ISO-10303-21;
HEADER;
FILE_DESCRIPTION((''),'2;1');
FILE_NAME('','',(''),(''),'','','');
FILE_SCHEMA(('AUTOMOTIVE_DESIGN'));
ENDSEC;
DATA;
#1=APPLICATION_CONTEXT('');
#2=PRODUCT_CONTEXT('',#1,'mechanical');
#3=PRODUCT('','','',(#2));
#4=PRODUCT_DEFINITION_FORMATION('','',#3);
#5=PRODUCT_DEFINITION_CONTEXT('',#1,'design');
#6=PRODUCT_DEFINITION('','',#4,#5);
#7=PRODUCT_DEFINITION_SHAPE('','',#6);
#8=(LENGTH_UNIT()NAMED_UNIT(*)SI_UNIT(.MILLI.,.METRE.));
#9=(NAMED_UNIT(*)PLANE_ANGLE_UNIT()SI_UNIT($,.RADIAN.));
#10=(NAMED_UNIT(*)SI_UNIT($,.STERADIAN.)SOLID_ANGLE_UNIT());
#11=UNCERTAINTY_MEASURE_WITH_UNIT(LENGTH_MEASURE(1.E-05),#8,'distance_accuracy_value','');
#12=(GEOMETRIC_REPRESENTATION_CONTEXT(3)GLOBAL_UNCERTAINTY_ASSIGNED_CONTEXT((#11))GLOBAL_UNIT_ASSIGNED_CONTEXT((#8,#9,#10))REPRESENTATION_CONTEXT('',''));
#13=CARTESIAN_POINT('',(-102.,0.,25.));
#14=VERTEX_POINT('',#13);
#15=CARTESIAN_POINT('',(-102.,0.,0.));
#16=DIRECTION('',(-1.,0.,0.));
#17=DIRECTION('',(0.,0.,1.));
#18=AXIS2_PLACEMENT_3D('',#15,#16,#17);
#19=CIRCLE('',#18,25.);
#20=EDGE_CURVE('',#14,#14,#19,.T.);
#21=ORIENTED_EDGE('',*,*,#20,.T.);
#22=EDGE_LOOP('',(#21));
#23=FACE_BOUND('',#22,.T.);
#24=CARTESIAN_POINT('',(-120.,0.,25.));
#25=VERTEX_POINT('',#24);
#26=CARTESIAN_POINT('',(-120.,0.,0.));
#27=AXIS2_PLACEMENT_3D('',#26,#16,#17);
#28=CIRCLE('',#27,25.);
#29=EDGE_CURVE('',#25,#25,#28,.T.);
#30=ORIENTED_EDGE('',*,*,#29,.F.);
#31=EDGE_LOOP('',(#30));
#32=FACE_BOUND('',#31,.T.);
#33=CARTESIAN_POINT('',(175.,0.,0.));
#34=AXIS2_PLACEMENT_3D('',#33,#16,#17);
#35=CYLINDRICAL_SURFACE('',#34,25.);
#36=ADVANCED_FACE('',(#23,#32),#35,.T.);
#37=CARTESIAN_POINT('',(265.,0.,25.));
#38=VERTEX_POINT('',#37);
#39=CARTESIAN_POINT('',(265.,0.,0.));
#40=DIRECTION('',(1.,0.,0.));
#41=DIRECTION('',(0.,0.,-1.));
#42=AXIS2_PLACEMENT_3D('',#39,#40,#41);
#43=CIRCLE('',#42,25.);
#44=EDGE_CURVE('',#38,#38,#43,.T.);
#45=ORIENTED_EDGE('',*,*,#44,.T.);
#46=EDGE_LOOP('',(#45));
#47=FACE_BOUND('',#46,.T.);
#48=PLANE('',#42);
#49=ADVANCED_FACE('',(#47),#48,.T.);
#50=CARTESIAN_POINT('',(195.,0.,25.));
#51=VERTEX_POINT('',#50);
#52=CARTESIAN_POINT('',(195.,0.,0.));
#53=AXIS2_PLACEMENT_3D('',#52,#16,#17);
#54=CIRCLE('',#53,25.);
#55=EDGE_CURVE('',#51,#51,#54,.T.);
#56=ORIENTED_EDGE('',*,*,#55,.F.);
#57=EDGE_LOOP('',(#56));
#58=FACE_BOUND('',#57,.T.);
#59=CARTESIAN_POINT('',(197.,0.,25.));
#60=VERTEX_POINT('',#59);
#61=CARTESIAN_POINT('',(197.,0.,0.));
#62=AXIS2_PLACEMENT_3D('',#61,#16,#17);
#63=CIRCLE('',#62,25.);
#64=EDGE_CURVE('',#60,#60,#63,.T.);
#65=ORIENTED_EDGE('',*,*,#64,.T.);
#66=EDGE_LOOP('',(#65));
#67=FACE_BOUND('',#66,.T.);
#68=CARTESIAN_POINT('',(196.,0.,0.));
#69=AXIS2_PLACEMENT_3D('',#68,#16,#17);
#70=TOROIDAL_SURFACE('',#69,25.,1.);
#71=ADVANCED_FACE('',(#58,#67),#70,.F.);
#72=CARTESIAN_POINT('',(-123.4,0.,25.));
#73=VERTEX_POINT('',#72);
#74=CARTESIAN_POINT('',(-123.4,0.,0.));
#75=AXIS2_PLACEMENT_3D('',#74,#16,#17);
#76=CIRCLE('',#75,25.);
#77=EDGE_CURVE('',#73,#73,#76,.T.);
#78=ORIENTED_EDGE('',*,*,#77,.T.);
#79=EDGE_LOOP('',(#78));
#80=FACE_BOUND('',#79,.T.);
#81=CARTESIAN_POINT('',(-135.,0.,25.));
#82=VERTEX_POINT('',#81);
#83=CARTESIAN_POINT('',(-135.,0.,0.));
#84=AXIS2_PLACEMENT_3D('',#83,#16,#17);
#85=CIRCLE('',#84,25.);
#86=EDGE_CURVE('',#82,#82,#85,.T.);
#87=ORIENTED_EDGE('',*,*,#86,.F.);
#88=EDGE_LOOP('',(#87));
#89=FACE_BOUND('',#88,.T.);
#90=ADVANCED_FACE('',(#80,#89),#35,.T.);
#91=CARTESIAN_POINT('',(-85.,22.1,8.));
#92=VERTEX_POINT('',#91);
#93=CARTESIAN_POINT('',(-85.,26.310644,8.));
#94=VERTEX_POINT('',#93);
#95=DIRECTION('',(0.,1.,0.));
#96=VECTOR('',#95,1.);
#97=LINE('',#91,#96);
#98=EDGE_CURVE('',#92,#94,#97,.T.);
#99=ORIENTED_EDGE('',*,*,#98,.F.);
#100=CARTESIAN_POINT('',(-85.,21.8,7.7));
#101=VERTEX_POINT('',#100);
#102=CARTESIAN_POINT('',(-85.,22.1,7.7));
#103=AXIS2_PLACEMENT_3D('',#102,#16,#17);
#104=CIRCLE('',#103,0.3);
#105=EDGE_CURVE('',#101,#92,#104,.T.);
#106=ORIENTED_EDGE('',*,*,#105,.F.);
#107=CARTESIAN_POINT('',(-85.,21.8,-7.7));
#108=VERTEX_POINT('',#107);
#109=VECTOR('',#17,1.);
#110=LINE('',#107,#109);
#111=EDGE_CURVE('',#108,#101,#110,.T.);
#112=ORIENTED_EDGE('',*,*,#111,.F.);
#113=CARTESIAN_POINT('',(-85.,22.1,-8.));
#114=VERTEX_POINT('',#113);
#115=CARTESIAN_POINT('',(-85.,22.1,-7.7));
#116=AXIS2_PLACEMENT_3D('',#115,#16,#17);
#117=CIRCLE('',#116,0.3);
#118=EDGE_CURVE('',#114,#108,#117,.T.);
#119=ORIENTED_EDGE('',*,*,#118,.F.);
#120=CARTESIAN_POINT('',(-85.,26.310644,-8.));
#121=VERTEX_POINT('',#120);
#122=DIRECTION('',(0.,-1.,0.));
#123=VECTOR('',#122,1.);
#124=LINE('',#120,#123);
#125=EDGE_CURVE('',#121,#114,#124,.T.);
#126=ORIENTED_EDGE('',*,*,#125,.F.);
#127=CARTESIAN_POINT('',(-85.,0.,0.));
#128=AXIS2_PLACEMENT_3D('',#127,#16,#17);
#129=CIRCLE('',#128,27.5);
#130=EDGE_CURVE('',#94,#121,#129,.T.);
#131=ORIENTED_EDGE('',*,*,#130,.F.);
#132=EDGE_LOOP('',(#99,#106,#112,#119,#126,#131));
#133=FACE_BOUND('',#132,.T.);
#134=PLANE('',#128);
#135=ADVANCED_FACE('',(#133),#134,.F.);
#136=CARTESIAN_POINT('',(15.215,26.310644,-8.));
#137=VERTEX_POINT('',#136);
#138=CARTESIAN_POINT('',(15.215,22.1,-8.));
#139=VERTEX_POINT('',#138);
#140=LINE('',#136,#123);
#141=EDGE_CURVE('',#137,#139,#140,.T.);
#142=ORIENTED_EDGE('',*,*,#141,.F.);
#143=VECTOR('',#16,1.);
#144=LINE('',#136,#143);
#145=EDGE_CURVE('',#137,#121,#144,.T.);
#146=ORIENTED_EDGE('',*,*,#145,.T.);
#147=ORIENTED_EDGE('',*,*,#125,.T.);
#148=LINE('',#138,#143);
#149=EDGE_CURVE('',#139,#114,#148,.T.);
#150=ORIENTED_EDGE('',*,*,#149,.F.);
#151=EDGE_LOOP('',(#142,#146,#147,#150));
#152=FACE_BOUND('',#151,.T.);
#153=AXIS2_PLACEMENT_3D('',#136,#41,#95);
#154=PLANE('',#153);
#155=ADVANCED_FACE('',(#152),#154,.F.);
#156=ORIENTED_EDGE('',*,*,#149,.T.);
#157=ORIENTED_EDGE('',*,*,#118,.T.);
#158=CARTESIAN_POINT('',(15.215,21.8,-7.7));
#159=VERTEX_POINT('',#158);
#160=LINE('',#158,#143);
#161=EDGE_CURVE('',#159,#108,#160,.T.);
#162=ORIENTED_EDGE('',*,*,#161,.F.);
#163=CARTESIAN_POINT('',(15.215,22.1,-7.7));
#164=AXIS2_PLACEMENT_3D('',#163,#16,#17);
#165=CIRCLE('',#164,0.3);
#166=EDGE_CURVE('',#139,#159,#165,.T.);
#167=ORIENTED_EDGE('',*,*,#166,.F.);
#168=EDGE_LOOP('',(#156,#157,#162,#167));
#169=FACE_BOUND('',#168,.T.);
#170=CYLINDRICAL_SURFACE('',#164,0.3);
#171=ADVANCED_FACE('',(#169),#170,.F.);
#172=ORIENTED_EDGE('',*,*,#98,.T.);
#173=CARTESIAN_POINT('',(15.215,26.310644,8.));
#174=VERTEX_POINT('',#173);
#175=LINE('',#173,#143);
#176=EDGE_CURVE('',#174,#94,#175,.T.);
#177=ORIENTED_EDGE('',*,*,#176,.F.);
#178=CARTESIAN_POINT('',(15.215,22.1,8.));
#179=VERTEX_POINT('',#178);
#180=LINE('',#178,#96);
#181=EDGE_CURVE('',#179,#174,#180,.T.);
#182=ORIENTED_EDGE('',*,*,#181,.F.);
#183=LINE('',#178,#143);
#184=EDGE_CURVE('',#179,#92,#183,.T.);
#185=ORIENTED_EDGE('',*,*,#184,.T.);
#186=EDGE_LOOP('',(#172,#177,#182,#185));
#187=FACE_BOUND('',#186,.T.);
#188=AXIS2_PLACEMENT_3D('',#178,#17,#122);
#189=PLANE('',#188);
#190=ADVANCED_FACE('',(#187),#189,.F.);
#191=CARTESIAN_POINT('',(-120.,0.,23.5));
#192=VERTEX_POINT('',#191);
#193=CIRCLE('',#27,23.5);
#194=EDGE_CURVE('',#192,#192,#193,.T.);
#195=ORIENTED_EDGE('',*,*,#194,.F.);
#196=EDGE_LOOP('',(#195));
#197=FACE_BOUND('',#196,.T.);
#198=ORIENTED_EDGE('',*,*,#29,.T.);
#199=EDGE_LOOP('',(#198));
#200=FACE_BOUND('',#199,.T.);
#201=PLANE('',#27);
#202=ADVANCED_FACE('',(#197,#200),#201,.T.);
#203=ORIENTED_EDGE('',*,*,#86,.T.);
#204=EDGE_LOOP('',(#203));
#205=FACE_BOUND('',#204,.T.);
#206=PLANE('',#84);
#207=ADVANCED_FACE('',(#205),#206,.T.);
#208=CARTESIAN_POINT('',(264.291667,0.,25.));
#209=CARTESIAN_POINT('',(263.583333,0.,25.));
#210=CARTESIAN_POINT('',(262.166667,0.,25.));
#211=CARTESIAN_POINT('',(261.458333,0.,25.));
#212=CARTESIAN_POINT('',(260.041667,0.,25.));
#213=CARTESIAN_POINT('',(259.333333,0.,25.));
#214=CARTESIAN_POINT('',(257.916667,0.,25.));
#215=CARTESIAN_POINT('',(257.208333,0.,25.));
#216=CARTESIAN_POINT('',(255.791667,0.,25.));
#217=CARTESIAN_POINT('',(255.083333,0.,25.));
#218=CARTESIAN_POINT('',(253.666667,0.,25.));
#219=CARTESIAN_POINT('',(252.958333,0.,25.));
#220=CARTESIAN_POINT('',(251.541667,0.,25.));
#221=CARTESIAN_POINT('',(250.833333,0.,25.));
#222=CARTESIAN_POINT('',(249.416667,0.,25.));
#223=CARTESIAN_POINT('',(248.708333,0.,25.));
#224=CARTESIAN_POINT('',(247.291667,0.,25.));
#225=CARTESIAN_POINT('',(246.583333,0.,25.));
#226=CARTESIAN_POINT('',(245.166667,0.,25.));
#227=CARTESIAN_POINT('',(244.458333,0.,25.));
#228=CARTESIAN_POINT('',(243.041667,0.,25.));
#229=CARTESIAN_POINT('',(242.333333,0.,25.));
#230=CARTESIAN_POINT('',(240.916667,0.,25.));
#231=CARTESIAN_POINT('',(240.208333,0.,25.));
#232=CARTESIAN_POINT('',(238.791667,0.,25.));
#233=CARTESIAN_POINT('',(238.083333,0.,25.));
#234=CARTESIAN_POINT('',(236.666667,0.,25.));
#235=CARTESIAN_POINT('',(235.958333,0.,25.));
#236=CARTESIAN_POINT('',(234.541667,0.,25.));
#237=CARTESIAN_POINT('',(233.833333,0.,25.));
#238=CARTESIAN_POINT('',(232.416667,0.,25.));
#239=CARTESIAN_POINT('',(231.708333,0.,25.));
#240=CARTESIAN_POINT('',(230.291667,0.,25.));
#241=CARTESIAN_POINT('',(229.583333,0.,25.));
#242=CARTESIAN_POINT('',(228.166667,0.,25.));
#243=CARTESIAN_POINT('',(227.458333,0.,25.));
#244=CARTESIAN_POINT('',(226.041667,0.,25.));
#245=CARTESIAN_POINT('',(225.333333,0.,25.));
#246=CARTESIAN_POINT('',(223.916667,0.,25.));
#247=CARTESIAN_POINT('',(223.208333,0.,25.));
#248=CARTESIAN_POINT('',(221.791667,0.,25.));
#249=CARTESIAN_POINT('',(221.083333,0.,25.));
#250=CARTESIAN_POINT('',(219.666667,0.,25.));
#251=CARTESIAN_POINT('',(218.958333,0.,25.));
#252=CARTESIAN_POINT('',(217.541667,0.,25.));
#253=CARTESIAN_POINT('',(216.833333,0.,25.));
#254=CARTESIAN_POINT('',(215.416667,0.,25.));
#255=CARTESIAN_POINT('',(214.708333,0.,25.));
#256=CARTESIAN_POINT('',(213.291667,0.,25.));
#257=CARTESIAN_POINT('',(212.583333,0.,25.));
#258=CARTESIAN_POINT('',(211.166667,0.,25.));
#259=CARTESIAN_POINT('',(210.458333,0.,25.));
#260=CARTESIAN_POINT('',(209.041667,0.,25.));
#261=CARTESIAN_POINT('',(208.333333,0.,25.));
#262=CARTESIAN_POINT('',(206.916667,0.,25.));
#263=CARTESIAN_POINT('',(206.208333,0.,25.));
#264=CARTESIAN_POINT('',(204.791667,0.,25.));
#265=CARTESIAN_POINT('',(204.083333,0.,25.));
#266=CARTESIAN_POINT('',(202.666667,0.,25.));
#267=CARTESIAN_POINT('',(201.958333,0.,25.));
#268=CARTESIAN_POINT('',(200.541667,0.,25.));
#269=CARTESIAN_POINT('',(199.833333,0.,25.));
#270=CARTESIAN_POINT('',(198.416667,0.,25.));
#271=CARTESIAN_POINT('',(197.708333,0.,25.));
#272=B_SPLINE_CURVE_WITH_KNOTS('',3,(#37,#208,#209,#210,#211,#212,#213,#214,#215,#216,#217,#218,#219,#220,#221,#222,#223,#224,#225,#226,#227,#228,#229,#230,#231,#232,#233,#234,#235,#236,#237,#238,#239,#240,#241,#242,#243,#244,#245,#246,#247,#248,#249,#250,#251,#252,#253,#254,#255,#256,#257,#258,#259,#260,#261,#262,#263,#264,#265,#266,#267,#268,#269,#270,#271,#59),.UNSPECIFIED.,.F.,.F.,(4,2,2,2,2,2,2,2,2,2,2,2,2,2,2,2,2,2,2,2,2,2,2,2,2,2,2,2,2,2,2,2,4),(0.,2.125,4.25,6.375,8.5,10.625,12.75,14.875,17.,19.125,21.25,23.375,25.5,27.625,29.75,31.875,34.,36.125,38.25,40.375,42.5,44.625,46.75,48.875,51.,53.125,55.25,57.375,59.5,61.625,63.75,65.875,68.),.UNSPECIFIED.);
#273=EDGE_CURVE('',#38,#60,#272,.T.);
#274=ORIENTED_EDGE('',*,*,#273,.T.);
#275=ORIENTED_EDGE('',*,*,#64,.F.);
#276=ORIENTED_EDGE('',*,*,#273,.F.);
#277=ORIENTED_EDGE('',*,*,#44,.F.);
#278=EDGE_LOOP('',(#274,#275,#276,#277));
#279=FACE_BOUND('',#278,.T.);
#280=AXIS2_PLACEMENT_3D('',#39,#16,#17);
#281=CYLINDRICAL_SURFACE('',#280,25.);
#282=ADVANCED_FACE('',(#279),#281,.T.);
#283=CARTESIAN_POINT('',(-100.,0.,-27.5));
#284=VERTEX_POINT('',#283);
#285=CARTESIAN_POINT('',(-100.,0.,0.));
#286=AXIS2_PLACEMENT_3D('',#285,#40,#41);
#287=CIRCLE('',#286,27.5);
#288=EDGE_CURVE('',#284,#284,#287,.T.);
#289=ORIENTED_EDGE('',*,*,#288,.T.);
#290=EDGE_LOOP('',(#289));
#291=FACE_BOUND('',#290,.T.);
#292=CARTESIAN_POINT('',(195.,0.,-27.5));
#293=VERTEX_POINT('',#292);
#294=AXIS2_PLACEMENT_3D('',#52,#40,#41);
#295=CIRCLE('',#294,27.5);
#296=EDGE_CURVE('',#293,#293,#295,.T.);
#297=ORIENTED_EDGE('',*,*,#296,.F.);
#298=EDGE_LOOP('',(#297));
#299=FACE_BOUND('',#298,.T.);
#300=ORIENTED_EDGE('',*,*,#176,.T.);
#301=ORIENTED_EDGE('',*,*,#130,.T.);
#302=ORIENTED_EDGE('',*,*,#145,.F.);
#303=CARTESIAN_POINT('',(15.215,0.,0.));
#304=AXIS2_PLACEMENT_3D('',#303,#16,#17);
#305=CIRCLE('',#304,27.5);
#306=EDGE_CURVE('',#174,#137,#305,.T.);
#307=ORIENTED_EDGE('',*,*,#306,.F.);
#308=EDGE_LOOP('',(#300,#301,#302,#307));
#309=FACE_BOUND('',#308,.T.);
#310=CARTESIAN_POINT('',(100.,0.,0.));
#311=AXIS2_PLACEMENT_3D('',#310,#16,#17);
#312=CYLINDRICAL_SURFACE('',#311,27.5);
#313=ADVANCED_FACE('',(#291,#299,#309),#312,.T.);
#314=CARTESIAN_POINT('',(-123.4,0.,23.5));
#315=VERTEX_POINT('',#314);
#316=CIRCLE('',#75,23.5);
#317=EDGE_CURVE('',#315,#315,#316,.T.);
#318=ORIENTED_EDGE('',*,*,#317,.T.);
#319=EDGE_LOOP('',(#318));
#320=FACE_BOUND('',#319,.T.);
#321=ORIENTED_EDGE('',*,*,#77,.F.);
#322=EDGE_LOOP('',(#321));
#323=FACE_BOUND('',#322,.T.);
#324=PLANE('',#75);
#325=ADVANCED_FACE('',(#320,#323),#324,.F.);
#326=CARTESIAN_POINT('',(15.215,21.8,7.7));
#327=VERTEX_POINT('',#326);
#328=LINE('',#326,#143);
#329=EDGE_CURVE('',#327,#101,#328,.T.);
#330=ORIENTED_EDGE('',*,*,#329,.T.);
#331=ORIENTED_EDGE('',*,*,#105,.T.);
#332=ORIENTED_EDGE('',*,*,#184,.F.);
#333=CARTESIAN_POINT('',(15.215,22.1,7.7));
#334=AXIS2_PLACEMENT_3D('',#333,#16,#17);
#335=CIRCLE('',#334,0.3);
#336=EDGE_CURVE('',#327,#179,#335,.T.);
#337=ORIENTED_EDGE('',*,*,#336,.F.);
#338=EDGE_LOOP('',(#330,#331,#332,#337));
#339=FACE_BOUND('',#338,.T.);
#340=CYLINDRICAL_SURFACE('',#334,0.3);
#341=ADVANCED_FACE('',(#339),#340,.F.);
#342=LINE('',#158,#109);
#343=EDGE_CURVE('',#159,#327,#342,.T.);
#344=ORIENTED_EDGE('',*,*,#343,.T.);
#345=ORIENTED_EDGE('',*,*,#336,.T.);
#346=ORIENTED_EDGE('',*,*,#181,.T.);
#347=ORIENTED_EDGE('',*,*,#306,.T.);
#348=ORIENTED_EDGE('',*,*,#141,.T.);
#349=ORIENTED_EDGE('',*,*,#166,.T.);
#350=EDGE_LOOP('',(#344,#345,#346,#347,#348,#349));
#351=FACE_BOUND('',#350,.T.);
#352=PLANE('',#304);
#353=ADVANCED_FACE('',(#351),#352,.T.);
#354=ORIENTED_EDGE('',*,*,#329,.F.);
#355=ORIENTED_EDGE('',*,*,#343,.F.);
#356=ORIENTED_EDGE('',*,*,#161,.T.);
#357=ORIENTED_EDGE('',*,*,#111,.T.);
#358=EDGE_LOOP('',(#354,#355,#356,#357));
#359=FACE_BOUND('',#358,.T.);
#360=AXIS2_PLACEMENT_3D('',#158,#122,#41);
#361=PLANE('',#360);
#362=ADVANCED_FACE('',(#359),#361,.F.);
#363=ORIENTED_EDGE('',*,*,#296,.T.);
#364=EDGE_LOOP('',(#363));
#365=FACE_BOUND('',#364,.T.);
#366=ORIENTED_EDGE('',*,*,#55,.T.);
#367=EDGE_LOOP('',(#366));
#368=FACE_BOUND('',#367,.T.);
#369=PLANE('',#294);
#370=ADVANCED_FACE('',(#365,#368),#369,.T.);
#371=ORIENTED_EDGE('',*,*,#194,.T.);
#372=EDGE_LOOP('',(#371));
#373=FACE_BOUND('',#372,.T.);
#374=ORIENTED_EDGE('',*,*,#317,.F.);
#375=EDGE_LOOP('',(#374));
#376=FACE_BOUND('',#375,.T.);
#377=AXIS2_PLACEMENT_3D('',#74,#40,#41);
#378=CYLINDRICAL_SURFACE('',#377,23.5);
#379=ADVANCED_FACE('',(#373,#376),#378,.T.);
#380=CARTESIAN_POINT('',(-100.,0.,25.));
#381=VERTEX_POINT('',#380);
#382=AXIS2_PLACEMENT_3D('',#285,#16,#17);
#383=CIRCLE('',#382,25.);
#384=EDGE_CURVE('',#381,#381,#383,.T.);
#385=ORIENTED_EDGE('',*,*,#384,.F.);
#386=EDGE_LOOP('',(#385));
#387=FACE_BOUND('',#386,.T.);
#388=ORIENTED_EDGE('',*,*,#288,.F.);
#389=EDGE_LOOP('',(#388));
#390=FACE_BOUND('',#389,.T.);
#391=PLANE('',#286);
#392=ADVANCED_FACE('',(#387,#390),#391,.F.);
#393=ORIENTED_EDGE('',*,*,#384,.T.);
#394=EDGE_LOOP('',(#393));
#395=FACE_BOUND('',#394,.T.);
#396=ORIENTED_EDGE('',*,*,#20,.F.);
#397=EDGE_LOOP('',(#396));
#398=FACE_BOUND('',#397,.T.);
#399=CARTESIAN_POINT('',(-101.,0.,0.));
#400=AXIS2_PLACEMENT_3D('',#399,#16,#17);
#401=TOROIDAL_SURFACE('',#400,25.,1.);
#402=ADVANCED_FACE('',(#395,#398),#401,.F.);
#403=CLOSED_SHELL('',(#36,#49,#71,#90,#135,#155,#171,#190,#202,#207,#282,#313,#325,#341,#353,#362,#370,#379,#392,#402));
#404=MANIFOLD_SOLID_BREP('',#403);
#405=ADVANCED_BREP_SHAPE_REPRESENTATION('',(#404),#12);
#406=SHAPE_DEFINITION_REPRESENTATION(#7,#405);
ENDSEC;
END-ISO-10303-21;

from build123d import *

# Parameters (mm, degrees)
SKETCH1_R           = 27.5
BOSS_EXTRUDE1_DEPTH = 100
SKETCH1_4_R         = 25
BOSS_EXTRUDE2_DEPTH = 175
BOSS_EXTRUDE4_START = 95
SKETCH6_R           = 27.5
SKETCH6_R_2         = 25
BOSS_EXTRUDE4_DEPTH = 95
BOSS_EXTRUDE5_START = 90
SKETCH8_R           = 25
BOSS_EXTRUDE5_DEPTH = 90
CUT_EXTRUDE1_START  = -115.215
CUT_EXTRUDE1_DEPTH  = 100.215
CUT_EXTRUDE3_START  = -40
SKETCH10_R          = 25
CUT_EXTRUDE3_DEPTH  = 40
CUT_EXTRUDE4_START  = 20
SKETCH11_R          = 25
SKETCH11_R_2        = 23.5
CUT_EXTRUDE4_DEPTH  = 3.4


with BuildPart() as part:
    # Sketch1 → Boss-Extrude1 (new, symmetric)
    with BuildSketch(Plane(origin=(0, 0, 0), x_dir=(0, 0, -1), z_dir=(1, 0, 0))):
        Circle(SKETCH1_R)
    extrude(amount=BOSS_EXTRUDE1_DEPTH, both=True)

    # Sketch1<4> → Boss-Extrude2 (add, symmetric)
    with BuildSketch(Plane(origin=(0, 0, 0), x_dir=(0, 0, -1), z_dir=(1, 0, 0))):
        Circle(SKETCH1_4_R)
    extrude(amount=BOSS_EXTRUDE2_DEPTH, both=True)

    # Sketch6 → Boss-Extrude4 (add)
    with BuildSketch(Plane(origin=(100, 0, 0), x_dir=(0, 0, -1), z_dir=(1, 0, 0)).offset(BOSS_EXTRUDE4_START)):
        Circle(SKETCH6_R)
        Circle(SKETCH6_R_2, mode=Mode.SUBTRACT)
    extrude(amount=-BOSS_EXTRUDE4_DEPTH)

    # Sketch8 → Boss-Extrude5 (add)
    with BuildSketch(Plane(origin=(175, 0, 0), x_dir=(0, 0, -1), z_dir=(1, 0, 0)).offset(BOSS_EXTRUDE5_START)):
        Circle(SKETCH8_R)
    extrude(amount=-BOSS_EXTRUDE5_DEPTH)

    # Sketch3 → Cut-Revolve1 (revolve, cut)
    with BuildSketch(Plane.XY):
        with BuildLine():
            Line((195, 25), (197, 25))
            ThreePointArc((197, 25), (196, 24), (195, 25))
        make_face()
        with BuildLine():
            Line((-100, 25), (-102, 25))
            ThreePointArc((-102, 25), (-101, 24), (-100, 25))
        make_face()
    revolve(axis=Axis((-100, 0, 0), (1, 0, 0)), mode=Mode.SUBTRACT)

    # Sketch4 → Cut-Extrude1 (cut)
    with BuildSketch(Plane.ZY.offset(100).offset(CUT_EXTRUDE1_START)):
        with BuildLine():
            Line((-8, 26.310644234), (-8, 22.1))
            ThreePointArc((-8, 22.1), (-7.912132034, 21.887867966), (-7.7, 21.8))
            Line((-7.7, 21.8), (7.7, 21.8))
            ThreePointArc((7.7, 21.8), (7.912132034, 21.887867966), (8, 22.1))
            Line((8, 22.1), (8, 26.310644234))
            ThreePointArc((8, 26.310644234), (0, 27.5), (-8, 26.310644234))
        make_face()
    extrude(amount=CUT_EXTRUDE1_DEPTH, mode=Mode.SUBTRACT)

    # Sketch10 → Cut-Extrude3 (cut)
    with BuildSketch(Plane.ZY.offset(175).offset(CUT_EXTRUDE3_START)):
        Circle(SKETCH10_R)
    extrude(amount=CUT_EXTRUDE3_DEPTH, mode=Mode.SUBTRACT)

    # Sketch11 → Cut-Extrude4 (cut)
    with BuildSketch(Plane.ZY.offset(100).offset(CUT_EXTRUDE4_START)):
        Circle(SKETCH11_R)
        Circle(SKETCH11_R_2, mode=Mode.SUBTRACT)
    extrude(amount=CUT_EXTRUDE4_DEPTH, mode=Mode.SUBTRACT)


solid = part.part
